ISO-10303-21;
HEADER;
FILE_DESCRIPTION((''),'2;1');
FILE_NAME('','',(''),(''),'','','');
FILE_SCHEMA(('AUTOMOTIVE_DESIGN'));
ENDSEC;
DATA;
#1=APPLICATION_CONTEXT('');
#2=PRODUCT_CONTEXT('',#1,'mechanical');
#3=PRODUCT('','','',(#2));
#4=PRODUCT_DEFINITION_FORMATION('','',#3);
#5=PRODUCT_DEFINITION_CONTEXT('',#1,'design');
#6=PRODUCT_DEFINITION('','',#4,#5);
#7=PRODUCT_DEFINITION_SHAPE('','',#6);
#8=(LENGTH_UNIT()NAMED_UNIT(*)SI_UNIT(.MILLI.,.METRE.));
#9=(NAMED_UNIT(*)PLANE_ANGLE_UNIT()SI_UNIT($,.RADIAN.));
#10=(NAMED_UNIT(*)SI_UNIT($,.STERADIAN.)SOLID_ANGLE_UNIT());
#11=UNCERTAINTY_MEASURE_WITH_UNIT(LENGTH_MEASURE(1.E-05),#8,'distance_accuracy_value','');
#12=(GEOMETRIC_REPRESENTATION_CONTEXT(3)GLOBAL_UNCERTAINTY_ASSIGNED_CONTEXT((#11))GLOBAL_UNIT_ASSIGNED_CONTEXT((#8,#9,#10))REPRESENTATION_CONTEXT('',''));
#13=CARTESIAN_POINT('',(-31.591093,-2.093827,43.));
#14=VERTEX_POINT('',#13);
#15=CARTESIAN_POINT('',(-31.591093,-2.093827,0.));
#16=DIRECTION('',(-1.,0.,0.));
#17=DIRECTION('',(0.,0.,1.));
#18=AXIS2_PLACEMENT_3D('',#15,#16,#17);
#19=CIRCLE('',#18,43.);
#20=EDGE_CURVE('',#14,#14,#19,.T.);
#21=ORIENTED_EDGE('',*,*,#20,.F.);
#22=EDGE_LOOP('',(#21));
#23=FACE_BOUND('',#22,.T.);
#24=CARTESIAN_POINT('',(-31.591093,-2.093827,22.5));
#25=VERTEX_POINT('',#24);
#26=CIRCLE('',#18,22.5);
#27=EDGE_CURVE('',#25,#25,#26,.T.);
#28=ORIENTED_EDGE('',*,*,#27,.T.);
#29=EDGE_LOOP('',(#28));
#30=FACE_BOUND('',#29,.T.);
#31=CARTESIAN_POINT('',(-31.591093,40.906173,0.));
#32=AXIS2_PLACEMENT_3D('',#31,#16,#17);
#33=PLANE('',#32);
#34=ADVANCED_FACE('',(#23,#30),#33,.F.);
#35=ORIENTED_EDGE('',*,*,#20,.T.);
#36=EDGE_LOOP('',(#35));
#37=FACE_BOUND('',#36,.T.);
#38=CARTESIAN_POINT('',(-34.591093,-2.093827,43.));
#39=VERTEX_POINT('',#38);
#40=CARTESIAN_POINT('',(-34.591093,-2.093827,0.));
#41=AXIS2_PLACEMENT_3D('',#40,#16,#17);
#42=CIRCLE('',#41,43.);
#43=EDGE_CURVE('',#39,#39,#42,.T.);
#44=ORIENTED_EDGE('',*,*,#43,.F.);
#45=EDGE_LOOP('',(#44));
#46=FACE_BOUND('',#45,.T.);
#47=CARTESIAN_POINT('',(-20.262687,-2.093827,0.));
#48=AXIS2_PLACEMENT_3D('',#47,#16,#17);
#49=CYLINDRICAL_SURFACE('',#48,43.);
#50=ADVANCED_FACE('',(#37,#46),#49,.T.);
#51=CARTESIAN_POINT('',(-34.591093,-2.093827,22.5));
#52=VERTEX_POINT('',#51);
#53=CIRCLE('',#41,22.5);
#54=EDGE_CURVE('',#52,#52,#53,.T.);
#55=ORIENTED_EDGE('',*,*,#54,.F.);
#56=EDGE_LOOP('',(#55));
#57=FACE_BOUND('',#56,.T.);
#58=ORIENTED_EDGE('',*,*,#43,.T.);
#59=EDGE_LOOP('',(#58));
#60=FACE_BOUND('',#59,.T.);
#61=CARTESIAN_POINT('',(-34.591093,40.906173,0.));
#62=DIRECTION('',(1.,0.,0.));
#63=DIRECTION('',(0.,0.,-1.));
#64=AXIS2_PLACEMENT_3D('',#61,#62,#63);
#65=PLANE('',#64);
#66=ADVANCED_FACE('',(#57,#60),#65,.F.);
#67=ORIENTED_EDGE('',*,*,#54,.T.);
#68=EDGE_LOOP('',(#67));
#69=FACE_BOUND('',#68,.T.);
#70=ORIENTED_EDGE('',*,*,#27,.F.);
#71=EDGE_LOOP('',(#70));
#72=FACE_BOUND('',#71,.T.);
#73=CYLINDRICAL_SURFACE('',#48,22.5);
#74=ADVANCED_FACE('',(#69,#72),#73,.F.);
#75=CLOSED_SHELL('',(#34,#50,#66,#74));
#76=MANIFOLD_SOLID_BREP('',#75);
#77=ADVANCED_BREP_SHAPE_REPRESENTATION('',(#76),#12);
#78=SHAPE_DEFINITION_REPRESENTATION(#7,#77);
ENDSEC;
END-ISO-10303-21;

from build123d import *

# Parameters (mm, degrees)
SKETCH1_W = 3
SKETCH1_H = 20.5


with BuildPart() as part:
    # Sketch1 → Revolve1 (revolve)
    with BuildSketch(Plane.XY):
        with Locations((-33.091093128, 30.656172878)):
            Rectangle(SKETCH1_W, SKETCH1_H)
    revolve(axis=Axis((-20.262687395, -2.093827122, 0), (1, 0, 0)))


solid = part.part
